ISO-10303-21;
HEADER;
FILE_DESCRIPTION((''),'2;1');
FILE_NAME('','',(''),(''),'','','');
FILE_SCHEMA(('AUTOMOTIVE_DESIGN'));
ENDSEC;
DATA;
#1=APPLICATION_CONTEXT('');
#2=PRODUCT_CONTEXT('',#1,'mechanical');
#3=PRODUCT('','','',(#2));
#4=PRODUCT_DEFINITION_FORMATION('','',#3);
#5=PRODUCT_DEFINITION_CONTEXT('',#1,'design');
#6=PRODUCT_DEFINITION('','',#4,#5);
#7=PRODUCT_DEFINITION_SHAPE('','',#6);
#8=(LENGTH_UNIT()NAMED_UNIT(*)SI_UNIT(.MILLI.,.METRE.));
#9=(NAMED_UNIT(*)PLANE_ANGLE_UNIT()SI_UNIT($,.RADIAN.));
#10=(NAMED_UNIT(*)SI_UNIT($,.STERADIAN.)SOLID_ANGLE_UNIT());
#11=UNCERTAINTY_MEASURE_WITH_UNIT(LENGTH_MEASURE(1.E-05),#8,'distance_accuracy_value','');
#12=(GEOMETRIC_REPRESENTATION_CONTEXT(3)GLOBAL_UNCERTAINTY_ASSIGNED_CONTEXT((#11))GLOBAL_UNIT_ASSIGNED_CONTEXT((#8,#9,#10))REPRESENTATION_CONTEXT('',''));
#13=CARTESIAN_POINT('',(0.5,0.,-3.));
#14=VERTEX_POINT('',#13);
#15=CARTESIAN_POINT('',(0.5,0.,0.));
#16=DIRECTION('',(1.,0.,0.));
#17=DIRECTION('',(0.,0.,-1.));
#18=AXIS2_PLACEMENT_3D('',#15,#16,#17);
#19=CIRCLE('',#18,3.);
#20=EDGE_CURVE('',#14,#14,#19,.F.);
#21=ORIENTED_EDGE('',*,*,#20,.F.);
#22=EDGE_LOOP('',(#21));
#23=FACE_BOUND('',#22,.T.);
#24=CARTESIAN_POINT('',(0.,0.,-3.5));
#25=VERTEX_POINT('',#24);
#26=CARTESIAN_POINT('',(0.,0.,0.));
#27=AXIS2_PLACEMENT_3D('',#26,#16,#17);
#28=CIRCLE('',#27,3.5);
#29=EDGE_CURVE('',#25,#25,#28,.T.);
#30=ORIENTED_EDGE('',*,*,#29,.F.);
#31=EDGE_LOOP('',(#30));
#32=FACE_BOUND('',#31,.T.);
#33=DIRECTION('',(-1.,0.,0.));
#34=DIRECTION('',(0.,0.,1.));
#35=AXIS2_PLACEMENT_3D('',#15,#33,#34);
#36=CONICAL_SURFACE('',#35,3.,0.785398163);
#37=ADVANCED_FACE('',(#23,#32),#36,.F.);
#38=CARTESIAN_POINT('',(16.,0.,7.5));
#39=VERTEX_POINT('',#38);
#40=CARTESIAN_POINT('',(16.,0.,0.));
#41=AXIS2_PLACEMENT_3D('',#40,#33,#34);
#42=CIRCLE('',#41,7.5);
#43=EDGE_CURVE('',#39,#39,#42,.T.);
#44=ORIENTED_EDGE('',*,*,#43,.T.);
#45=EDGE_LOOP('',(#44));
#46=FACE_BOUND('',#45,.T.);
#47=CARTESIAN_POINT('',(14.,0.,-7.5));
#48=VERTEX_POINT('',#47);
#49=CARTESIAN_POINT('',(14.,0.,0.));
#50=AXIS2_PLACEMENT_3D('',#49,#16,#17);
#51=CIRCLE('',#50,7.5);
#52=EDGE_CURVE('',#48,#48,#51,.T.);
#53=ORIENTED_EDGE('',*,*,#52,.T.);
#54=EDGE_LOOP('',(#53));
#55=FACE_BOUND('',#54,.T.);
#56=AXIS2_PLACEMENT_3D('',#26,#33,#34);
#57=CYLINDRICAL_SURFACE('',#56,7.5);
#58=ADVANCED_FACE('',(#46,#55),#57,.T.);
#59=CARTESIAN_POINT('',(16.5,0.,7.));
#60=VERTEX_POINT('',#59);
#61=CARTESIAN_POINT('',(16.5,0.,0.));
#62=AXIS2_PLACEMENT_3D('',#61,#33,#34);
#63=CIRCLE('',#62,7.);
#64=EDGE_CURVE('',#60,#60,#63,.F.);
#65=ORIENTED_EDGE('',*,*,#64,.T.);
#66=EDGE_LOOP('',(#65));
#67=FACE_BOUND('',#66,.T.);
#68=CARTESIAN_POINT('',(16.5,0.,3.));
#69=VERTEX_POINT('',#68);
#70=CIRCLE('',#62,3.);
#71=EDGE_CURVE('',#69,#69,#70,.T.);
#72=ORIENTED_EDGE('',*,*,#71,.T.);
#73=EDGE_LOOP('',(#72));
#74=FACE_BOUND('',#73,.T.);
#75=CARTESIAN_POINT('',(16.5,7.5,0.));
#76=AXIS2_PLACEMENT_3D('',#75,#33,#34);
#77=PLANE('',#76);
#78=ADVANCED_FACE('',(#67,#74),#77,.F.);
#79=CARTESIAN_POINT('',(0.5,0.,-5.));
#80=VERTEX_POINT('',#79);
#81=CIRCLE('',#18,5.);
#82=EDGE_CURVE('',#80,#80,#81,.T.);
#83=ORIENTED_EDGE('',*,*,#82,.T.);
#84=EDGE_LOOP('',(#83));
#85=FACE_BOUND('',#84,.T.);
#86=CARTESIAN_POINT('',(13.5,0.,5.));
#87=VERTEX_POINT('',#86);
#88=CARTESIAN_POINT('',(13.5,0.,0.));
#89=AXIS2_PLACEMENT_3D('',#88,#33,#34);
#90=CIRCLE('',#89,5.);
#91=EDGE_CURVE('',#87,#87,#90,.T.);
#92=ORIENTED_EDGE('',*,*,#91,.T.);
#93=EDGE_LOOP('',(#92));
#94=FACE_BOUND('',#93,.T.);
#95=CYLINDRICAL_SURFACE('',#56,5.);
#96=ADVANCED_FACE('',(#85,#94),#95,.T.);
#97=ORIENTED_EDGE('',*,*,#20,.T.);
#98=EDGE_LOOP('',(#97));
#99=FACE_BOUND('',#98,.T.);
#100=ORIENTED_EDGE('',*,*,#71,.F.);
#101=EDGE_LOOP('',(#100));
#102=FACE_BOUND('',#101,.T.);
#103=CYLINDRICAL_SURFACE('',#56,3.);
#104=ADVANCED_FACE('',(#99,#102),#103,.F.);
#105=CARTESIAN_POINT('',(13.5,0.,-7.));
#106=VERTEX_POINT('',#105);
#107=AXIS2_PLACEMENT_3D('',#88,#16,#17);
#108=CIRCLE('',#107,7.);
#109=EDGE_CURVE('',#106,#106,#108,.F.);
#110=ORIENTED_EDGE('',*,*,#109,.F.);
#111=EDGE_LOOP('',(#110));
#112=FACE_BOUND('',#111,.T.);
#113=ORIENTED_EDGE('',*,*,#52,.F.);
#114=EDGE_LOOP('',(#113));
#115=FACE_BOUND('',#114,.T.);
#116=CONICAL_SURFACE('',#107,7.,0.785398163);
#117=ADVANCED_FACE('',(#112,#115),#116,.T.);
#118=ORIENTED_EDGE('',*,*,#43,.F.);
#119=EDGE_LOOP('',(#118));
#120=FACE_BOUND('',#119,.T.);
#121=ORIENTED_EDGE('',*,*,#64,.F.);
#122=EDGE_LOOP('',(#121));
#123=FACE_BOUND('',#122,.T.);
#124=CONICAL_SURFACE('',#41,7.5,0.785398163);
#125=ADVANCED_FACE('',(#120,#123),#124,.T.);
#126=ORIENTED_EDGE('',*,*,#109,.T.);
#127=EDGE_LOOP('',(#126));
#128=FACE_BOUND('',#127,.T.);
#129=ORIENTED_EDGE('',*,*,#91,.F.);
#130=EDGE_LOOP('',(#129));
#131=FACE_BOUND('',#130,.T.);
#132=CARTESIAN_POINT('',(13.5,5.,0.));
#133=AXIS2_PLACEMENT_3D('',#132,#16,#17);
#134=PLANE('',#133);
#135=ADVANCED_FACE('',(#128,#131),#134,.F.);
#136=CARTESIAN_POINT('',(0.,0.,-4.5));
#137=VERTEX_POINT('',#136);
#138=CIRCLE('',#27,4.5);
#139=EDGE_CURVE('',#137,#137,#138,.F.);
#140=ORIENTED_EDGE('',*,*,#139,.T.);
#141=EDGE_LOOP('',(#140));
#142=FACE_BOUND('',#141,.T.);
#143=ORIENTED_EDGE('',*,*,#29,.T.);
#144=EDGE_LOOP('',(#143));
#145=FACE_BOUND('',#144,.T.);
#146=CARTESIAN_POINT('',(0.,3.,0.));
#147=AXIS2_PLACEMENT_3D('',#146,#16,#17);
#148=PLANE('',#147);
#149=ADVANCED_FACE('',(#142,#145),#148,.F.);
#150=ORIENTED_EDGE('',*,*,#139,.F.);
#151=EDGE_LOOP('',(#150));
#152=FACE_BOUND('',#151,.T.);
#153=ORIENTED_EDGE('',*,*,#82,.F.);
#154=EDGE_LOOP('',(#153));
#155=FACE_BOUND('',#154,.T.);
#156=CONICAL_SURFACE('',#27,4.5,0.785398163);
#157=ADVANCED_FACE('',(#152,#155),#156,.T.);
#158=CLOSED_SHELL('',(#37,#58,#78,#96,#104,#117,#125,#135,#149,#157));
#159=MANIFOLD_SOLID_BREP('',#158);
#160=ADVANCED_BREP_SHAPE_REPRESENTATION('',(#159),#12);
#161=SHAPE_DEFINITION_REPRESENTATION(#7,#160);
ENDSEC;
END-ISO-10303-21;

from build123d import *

# Parameters (mm, degrees)
CHANFREIN1_SIZE = 0.5


with BuildPart() as part:
    # Esquisse1 → Base-Révolution (revolve)
    with BuildSketch(Plane.XY, mode=Mode.PRIVATE) as base_r_volution_sk:
        Polygon((0, 3), (0, 5), (13.5, 5), (13.5, 7.5), (16.5, 7.5), (16.5, 3), align=None)
    revolve(base_r_volution_sk.sketch.rotate(Axis((0, 0, 0), (1, 0, 0)), 90), axis=Axis((0, 0, 0), (1, 0, 0)))

    # Chanfrein1
    chanfrein1_edges = [part.edges().sort_by_distance(p)[0] for p in [
        (16.5, 0, -7.5),
        (13.5, 0, -7.5),
        (0, 0, -5),
        (0, 0, -3),
    ]]
    chamfer(chanfrein1_edges, length=CHANFREIN1_SIZE)


solid = part.part
